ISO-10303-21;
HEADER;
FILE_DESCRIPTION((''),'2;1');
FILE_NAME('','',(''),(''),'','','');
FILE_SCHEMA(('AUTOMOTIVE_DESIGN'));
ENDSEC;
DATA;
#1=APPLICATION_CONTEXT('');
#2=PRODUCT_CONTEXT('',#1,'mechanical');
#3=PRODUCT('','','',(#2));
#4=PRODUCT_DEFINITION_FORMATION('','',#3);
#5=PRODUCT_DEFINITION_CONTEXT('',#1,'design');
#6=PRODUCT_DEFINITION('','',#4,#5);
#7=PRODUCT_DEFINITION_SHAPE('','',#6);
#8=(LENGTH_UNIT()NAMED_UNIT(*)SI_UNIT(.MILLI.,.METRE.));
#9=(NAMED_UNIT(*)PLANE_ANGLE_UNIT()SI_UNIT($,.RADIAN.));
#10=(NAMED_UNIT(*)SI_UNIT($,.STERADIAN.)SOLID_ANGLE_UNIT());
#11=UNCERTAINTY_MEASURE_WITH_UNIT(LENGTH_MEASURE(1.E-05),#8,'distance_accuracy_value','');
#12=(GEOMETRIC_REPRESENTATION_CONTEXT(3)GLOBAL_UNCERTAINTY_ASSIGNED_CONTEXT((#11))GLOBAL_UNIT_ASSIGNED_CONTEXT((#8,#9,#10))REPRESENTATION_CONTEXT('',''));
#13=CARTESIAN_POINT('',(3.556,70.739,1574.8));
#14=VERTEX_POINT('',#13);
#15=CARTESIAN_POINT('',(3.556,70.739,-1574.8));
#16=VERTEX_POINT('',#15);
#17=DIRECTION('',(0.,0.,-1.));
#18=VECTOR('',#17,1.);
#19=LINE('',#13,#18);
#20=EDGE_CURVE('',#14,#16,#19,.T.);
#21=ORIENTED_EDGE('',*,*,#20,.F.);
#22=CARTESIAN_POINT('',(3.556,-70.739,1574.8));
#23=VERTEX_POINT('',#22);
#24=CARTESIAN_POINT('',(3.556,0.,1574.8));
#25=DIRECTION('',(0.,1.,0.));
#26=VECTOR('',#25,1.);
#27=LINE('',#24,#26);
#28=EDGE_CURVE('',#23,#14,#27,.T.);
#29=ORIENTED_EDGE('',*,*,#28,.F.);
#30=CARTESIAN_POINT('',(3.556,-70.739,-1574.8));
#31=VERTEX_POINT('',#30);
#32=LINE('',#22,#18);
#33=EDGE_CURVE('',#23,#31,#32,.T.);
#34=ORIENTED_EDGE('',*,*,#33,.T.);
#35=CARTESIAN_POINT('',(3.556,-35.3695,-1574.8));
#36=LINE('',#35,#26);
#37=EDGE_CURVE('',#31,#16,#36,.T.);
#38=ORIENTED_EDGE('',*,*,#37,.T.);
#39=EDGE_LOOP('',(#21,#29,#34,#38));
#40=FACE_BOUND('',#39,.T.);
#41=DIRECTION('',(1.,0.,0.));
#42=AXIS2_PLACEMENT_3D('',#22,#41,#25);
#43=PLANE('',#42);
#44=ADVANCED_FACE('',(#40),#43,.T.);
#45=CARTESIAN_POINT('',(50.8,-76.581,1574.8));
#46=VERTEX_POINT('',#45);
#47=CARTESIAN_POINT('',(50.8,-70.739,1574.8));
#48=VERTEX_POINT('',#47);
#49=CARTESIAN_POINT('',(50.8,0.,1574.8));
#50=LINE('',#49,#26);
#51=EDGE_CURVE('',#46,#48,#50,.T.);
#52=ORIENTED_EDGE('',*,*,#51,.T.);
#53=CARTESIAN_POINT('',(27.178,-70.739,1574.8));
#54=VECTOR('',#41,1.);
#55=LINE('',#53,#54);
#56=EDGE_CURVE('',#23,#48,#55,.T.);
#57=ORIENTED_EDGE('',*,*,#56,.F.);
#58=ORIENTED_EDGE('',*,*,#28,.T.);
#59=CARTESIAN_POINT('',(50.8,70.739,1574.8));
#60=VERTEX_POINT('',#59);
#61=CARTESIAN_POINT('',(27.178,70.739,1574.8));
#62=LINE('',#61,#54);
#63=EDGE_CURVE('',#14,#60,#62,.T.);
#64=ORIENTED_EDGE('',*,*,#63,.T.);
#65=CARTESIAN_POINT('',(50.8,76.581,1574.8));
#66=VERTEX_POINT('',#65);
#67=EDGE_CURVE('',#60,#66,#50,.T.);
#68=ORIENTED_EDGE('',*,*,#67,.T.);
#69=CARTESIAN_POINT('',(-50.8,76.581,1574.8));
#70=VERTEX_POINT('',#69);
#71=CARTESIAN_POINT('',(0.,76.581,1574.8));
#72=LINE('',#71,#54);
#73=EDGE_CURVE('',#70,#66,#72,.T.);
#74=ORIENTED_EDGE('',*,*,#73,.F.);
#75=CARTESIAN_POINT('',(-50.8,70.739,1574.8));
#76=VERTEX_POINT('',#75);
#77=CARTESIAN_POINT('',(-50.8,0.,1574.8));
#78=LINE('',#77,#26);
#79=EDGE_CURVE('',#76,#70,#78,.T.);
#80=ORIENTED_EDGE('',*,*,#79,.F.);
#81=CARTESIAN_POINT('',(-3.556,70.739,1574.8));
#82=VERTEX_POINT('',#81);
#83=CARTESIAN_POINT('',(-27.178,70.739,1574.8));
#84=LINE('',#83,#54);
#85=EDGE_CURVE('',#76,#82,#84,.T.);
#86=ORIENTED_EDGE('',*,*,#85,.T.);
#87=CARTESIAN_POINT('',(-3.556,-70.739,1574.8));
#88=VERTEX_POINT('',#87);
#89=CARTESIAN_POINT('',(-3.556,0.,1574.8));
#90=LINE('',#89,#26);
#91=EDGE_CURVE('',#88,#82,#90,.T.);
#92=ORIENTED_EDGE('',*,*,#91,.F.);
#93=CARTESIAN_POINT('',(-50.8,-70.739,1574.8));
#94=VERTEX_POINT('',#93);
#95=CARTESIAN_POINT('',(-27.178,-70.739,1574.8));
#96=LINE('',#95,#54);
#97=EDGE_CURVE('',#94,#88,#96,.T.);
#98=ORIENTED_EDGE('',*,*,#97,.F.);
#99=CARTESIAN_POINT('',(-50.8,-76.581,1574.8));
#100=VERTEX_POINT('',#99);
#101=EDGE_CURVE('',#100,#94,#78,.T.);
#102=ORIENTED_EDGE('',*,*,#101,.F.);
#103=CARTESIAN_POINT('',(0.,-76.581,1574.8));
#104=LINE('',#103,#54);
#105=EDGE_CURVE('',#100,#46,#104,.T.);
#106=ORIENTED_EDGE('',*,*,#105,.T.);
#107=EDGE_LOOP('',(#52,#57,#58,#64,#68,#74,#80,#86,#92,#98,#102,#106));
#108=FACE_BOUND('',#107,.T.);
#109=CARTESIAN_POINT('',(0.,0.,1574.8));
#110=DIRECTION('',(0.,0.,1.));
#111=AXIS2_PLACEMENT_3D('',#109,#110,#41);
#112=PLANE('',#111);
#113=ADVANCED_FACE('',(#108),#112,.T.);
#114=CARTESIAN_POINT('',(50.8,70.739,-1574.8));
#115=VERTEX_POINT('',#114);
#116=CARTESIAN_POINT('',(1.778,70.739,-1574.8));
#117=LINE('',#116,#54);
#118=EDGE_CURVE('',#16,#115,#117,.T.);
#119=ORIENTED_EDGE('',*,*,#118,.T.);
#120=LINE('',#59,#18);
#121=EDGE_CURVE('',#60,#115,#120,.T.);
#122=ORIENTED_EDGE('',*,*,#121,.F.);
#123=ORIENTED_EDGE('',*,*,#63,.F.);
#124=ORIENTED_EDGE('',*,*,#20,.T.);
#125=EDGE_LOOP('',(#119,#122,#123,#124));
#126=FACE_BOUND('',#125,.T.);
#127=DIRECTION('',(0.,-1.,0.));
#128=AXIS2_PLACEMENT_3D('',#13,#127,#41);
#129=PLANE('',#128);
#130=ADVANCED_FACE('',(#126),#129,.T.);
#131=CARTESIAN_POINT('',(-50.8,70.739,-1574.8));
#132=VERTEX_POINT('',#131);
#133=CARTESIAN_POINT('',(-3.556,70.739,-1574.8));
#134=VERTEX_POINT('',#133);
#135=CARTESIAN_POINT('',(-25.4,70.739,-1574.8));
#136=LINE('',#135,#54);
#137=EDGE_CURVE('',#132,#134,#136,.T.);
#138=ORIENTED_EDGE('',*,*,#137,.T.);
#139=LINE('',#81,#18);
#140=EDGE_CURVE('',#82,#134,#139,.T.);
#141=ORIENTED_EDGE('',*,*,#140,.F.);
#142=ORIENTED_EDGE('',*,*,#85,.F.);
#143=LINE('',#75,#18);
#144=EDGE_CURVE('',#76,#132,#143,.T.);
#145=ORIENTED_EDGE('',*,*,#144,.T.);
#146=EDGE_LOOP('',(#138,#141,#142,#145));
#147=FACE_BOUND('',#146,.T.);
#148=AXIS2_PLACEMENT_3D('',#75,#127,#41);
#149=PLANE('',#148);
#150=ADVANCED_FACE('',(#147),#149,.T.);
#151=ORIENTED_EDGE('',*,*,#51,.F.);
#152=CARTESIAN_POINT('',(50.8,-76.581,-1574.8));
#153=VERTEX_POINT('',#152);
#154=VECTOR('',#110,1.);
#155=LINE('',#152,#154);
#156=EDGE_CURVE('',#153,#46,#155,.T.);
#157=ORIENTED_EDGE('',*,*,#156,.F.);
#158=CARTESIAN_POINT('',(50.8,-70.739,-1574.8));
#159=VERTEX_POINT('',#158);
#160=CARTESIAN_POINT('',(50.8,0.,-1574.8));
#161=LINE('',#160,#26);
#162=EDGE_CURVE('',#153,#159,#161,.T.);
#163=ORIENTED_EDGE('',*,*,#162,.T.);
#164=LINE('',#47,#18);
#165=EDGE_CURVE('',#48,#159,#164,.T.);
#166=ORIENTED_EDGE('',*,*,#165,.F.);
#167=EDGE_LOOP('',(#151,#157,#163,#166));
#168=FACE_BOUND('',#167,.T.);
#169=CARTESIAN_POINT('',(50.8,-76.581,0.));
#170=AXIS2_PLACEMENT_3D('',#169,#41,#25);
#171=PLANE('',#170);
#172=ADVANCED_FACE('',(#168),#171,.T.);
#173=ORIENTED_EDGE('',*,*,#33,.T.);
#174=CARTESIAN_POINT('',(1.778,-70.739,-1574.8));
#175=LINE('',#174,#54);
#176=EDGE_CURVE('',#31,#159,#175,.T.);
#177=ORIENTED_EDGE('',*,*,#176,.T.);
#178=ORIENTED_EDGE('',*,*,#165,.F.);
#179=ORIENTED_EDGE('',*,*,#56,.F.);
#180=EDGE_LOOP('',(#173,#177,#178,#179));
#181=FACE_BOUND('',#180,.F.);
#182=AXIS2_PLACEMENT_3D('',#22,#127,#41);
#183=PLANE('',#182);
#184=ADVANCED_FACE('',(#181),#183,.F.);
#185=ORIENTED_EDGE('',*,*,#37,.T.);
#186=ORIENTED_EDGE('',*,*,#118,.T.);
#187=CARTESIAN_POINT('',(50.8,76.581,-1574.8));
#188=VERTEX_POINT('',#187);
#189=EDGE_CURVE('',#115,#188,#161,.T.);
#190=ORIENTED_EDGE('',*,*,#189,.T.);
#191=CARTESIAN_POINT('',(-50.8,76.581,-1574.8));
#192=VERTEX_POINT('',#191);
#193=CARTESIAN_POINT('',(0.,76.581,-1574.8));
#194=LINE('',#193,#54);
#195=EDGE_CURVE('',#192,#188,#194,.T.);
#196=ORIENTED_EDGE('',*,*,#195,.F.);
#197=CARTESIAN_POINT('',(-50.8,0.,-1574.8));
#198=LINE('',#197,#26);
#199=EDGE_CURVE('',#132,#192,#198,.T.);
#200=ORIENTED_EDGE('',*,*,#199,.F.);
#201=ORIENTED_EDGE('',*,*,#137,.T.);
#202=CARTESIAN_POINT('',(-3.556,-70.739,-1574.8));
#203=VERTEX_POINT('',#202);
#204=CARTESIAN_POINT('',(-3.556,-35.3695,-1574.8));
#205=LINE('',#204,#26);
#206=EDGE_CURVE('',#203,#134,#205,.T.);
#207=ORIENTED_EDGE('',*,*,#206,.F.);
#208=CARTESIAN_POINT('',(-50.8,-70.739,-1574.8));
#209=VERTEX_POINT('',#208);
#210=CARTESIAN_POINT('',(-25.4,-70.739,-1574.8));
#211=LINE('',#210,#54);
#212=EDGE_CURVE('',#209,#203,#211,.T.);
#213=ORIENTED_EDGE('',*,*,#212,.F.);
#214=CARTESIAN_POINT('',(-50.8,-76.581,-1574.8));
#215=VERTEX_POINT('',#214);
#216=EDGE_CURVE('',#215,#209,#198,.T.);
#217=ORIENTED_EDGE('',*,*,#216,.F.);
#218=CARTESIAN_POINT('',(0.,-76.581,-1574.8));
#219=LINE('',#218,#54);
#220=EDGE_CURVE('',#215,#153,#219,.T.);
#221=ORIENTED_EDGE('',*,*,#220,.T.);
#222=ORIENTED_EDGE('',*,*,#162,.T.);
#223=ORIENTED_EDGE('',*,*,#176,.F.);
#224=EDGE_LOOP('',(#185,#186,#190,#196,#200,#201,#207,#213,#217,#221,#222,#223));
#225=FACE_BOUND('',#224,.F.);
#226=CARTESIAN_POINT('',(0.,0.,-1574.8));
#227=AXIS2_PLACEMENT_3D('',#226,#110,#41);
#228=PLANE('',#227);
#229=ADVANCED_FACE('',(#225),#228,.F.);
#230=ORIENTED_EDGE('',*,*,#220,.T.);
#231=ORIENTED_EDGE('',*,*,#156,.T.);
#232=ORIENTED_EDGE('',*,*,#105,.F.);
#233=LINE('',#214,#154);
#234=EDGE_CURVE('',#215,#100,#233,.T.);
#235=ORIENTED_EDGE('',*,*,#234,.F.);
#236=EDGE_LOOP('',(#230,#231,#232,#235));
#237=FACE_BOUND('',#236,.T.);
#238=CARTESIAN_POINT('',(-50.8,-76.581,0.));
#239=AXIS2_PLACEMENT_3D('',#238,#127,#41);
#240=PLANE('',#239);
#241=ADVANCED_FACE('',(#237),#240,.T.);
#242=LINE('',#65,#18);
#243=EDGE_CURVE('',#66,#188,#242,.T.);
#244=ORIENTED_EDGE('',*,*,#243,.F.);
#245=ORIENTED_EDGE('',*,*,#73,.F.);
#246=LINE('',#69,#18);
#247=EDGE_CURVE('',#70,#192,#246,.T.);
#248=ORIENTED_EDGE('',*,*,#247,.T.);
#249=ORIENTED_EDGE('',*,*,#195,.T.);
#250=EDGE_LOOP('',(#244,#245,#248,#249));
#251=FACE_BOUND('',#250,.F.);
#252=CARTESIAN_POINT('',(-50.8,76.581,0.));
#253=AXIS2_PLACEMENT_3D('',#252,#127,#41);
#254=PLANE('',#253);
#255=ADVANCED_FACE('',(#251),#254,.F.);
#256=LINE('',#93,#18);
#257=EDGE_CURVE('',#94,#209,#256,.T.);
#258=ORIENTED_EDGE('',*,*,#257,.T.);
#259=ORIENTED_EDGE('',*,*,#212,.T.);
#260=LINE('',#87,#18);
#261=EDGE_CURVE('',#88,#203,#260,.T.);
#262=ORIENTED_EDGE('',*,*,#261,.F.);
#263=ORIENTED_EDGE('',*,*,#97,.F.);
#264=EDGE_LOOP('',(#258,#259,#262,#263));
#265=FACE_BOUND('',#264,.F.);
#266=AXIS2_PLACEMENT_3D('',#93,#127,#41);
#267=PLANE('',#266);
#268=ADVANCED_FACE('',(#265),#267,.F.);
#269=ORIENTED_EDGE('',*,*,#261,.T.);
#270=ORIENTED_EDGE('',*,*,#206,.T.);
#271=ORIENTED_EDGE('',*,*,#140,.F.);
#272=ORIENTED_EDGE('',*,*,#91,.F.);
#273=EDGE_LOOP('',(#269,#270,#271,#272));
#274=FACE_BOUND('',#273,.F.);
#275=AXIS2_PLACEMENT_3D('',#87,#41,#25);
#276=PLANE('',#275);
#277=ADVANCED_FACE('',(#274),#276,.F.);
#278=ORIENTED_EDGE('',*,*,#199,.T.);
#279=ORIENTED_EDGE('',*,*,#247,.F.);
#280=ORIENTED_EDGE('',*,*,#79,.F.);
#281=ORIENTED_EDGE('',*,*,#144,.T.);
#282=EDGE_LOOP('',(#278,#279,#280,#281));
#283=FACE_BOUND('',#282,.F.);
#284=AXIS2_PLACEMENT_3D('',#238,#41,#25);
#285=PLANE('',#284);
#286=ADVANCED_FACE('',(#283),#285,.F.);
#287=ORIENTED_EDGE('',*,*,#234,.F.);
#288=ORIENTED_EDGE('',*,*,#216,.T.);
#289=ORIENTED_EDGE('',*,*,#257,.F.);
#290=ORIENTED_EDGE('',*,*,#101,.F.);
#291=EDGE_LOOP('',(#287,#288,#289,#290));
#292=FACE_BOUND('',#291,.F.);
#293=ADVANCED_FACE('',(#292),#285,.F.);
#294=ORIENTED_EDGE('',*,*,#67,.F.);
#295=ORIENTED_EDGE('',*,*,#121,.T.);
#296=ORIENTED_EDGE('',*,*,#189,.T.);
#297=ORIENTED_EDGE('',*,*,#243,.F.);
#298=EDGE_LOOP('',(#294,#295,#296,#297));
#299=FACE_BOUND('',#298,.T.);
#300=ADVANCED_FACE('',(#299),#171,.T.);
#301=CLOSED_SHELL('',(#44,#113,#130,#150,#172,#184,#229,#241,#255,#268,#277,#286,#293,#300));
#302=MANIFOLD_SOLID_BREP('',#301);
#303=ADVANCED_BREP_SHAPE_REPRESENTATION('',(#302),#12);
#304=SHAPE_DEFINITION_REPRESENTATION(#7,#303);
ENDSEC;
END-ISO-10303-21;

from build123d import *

# Parameters (mm, degrees)
F0_W     = 101.6
F0_H     = 153.162
F1_DEPTH = 1574.8
F2_W     = 47.244
F2_H     = 141.478
F3_DEPTH = 3149.601


with BuildPart() as f1:
    # F0 (on Top) → F1 (new body, symmetric)
    with BuildSketch(Plane.XY):
        Rectangle(F0_W, F0_H)
    extrude(amount=F1_DEPTH, both=True)

    # F2 (on face) → F3 (cut, through all)
    with BuildSketch(Plane.XY.offset(1574.8)):
        with Locations((27.178, 0)):
            Rectangle(F2_W, F2_H)
        with Locations((-27.178, 0)):
            Rectangle(F2_W, F2_H)
    extrude(amount=-F3_DEPTH, mode=Mode.SUBTRACT)


solid = f1.part
